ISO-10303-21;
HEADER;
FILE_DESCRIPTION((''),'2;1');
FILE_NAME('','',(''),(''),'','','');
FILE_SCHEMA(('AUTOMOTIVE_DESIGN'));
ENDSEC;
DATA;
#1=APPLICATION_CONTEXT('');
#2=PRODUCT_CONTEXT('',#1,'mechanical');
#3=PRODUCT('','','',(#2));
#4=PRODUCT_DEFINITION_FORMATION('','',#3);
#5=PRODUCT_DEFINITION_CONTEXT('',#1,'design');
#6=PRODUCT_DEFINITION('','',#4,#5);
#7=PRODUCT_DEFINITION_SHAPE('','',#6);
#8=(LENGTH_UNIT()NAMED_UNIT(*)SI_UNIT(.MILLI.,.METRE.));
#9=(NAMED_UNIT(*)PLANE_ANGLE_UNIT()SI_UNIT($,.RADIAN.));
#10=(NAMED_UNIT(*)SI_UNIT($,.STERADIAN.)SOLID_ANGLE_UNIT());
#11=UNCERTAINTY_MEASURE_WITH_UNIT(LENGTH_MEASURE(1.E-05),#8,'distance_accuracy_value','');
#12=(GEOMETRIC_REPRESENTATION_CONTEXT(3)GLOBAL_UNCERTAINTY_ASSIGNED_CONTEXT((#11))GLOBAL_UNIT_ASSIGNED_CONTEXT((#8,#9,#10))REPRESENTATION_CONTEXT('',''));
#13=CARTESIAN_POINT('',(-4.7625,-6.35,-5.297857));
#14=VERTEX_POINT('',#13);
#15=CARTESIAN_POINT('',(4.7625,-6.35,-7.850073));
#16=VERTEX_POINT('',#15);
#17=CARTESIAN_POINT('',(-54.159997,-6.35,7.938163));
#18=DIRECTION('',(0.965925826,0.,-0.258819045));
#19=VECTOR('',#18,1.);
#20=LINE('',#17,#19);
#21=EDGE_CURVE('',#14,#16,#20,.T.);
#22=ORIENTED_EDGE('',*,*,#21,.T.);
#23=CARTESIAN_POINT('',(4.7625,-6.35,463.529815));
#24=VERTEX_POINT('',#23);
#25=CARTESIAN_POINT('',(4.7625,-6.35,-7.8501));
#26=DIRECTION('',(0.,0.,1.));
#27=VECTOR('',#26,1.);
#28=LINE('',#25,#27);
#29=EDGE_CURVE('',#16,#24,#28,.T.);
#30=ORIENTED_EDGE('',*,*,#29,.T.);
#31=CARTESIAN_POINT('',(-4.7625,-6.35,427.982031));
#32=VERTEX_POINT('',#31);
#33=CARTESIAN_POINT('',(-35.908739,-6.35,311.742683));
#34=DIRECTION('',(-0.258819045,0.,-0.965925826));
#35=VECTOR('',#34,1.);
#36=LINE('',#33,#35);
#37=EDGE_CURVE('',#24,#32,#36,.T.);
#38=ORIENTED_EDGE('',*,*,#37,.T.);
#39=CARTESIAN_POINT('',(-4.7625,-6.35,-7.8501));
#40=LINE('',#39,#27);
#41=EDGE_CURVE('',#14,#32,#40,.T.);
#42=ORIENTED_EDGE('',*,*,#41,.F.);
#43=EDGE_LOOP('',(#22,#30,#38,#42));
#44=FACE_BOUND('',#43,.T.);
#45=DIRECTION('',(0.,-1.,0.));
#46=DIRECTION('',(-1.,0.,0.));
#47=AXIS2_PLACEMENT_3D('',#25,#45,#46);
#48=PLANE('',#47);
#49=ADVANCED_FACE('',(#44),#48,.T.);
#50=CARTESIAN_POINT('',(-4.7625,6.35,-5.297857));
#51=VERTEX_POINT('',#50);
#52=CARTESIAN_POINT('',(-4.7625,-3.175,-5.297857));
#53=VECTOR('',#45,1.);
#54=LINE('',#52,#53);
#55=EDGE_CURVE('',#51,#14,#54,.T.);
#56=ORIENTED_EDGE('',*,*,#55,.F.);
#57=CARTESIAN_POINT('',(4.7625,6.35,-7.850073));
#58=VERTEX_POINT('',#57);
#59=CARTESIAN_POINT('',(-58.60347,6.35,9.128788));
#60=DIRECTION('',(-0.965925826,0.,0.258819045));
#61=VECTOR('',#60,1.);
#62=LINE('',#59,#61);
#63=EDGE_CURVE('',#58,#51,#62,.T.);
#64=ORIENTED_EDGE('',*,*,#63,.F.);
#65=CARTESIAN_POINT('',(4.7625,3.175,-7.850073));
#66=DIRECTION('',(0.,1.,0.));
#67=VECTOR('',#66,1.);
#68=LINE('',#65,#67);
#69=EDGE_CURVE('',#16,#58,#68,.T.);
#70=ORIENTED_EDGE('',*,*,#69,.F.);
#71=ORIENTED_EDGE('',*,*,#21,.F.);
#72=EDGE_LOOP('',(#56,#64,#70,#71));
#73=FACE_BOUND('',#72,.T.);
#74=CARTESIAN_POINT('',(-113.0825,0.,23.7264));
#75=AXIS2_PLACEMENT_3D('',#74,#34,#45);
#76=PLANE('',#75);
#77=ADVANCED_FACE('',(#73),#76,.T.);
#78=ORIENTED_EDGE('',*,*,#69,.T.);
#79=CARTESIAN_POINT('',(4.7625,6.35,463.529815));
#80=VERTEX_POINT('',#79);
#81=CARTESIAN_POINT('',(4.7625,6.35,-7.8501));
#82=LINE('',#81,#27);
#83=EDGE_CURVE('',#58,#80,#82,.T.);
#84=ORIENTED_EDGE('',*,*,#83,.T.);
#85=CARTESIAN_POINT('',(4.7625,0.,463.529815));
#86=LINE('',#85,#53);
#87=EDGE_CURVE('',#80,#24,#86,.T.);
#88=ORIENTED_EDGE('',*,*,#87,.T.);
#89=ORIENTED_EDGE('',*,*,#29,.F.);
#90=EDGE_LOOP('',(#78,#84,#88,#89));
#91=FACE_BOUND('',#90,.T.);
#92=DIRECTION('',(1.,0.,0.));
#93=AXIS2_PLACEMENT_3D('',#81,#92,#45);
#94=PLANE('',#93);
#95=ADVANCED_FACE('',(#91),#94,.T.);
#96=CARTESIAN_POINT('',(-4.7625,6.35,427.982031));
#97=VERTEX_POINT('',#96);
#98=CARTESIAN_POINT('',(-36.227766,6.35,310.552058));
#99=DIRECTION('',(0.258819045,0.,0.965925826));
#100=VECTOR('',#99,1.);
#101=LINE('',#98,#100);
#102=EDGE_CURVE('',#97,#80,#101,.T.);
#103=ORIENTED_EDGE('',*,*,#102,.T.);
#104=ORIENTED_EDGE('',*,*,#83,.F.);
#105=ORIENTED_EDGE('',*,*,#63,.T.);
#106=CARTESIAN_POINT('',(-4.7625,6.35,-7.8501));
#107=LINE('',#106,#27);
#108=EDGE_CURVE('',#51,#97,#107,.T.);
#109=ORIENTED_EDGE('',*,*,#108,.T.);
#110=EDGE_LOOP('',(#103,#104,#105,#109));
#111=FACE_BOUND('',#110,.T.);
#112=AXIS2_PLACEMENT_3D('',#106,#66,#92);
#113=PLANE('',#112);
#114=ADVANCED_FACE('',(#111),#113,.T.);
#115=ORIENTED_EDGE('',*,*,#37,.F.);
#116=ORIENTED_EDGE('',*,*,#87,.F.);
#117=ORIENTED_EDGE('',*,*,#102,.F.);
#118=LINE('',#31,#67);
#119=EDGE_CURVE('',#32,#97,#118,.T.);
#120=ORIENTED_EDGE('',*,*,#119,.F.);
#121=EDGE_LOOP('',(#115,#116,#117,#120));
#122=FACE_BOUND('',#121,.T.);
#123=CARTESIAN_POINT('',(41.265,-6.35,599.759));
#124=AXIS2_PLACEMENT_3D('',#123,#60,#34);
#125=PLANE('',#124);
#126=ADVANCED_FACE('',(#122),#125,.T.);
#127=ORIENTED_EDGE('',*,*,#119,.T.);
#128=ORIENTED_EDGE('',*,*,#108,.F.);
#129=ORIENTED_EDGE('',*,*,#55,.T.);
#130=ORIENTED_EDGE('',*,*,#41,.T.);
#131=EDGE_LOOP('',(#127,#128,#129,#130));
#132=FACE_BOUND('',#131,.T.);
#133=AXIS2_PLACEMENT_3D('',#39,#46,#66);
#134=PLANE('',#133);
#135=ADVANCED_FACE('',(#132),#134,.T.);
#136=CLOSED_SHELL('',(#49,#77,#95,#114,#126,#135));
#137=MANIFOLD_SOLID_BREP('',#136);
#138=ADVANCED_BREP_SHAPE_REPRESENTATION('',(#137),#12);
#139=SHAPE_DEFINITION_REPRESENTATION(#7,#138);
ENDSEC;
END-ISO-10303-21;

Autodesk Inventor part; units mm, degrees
ref_plane "Start plane" through (0, 0, -7.8501) normal (0, 0, 1) x (1, 0, 0)
ref_plane "End plane" through (0, 0, 463.5299) normal (0, 0, 1) x (1, 0, 0)
sketch "Sketch" plane through (0, 0, 0) normal (0, 0, 1) x (1, 0, 0)
  line L0 (4.7625, -6.35) -> (-4.7625, -6.35)
  line L1 (-4.7625, -6.35) -> (-4.7625, 6.35)
  line L2 (-4.7625, 6.35) -> (4.7625, 6.35)
  line L3 (4.7625, 6.35) -> (4.7625, -6.35)
  line L4 (-6, 0) -> (8, 0) construction
  line L5 (0, -30) -> (0, 40) construction
  line L6 (0, 54) -> (0, -44) construction
  line L7 (-9.2, 0) -> (13.2, 0) construction
  dimension "d0" = 12.7
  dimension "d1" = 9.525
  dimension "d4" = 4.7625
  dimension "d5" = 6.35
extrude "Body" add sketch "Sketch" along normal up to surface (471.38 mm away) from surface at -7.8501
sketch "Sketch3" plane through (0, 0, 0) normal (0, 0, 1) x (1, 0, 0)
  line L0 (0, 0) -> (10, 0)
ref_plane "Work Plane3" through (0, 0, 0) normal (0, -1, 0) x (1, 0, 0)
sketch "Sketch4" plane through (0, 0, 0) normal (0, -1, 0) x (1, 0, 0)
  line L0 (-2, -7.8501) -> (12, -7.8501)
  line L1 (-2, 463.5299) -> (12, 463.5299)
  dimension "d9" = 471.38
ref_plane "Work Plane7" through (-113.0825, 0, 23.7264) normal (-0.2588, 0, -0.9659) x (-0.9659, 0, 0.2588)
split "Split4" plane through (-113.0825, 0, 23.7264) removes the side toward (-0.2588, 0, -0.9659)
ref_plane "Work Plane8" through (41.265, -6.35, 599.759) normal (-0.9659, 0, 0.2588) x (0.2588, 0, 0.9659)
split "Split5" plane through (41.265, -6.35, 599.759) removes the side toward (-0.9659, 0, 0.2588)
equation "\"d0\" = G_W"
equation "\"d1\" = G_H"
equation "\"d4\" = 0.5 * d1"
equation "\"d5\" = 0.5 * d0"
equation "\"d2\" = G_L"
equation "\"G_W\" = 12.7"
equation "\"G_H\" = 9.525"
equation "\"G_L\" = d9"
equation "\"G_OFFSET_START\" = 7.85011"
equation "\"G_OFFSET_END\" = -6.76062"
equation "\"d6\" = -G_OFFSET_START"
equation "\"d7\" = G_OFFSET_END + B_L"
equation "\"B_L\" = 470.29055"
properties part number "AISC - 1/2x3/8 - 18.558" material "Steel, Alloy"
